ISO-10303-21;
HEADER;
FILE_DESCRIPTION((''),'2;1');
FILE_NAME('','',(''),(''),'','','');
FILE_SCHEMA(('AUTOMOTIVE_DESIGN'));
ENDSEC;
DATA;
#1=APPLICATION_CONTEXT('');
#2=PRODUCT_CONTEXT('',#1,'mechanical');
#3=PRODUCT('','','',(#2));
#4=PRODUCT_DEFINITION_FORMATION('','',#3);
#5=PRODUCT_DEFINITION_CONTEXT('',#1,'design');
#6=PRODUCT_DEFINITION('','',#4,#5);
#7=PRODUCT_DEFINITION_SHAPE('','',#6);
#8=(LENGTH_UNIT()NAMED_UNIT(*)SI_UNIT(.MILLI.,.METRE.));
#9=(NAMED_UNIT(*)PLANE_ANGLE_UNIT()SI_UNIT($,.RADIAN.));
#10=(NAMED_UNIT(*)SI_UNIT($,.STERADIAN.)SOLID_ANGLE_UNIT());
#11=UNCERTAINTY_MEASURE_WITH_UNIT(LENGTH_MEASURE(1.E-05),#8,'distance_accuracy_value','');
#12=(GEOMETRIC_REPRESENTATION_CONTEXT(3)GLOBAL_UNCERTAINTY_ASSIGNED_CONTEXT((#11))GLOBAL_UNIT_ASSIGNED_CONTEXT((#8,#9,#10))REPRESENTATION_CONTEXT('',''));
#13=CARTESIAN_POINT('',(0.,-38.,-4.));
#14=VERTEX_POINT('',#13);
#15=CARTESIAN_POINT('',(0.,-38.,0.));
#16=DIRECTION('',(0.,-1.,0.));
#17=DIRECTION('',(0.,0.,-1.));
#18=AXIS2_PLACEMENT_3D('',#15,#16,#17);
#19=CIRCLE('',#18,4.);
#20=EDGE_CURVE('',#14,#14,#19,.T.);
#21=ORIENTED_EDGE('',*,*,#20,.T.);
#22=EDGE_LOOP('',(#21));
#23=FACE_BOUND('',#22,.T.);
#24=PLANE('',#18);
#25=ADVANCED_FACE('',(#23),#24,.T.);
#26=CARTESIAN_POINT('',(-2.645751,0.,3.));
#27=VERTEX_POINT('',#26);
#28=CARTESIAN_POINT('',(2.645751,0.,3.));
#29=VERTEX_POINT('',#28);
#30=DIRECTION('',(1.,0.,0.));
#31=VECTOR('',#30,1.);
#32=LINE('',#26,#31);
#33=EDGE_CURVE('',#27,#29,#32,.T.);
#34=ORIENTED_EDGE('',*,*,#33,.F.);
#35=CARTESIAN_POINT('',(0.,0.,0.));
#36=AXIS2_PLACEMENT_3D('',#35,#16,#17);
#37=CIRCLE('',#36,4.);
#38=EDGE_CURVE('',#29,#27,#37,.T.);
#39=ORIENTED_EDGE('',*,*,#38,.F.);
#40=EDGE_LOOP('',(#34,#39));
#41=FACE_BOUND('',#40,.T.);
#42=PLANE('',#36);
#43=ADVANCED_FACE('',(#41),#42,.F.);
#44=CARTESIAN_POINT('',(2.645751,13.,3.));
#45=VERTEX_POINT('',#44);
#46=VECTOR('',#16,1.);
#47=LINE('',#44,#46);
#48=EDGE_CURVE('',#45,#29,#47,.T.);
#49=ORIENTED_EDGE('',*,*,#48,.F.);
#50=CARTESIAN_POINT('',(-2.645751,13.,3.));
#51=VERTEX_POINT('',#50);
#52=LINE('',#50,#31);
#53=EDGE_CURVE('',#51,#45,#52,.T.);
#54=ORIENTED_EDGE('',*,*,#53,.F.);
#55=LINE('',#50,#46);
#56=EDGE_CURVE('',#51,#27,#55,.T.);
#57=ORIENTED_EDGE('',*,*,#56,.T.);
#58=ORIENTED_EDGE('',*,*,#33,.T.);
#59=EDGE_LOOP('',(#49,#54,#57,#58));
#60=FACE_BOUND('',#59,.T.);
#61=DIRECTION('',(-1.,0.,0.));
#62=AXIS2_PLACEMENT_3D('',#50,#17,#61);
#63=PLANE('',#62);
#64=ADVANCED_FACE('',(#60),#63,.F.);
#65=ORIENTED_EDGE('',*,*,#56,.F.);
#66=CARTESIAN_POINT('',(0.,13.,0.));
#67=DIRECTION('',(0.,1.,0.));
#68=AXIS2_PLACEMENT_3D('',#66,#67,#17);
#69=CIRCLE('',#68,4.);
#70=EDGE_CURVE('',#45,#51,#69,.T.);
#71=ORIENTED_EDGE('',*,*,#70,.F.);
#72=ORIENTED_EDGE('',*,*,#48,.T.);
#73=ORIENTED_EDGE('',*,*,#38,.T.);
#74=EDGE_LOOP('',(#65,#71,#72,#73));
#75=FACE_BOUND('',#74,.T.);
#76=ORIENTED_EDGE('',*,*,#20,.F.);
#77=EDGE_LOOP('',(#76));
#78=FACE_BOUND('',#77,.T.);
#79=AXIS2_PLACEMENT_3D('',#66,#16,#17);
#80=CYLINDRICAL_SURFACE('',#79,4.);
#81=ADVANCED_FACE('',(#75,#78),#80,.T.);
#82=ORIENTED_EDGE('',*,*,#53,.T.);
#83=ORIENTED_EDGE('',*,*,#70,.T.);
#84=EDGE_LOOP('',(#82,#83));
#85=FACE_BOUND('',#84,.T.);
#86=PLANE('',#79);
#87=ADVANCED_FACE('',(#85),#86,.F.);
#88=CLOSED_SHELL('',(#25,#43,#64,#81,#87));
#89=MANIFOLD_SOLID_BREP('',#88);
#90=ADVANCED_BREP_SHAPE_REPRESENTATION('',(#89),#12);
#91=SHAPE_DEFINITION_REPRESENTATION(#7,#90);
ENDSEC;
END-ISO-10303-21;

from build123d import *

# Parameters (mm, degrees)
BOSS_EXTRUDE1_DEPTH = 13
BOSS_EXTRUDE2_START = 38
SKETCH2_R           = 4
BOSS_EXTRUDE2_DEPTH = 38


with BuildPart() as part:
    # Sketch1 → Boss-Extrude1 (new body)
    with BuildSketch(Plane(origin=(0, 0, 0), x_dir=(1, 0, 0), z_dir=(0, 1, 0))):
        with BuildLine():
            Line((-2.645751311, -3), (2.645751311, -3))
            ThreePointArc((2.645751311, -3), (0, 4), (-2.645751311, -3))
        make_face()
    extrude(amount=BOSS_EXTRUDE1_DEPTH)

    # Sketch2 → Boss-Extrude2 (add)
    with BuildSketch(Plane.XZ.offset(BOSS_EXTRUDE2_START)):
        with Locations(Location((0, 0, 0), (0, 0, 270))):
            Circle(SKETCH2_R)
    extrude(amount=-BOSS_EXTRUDE2_DEPTH)


solid = part.part
